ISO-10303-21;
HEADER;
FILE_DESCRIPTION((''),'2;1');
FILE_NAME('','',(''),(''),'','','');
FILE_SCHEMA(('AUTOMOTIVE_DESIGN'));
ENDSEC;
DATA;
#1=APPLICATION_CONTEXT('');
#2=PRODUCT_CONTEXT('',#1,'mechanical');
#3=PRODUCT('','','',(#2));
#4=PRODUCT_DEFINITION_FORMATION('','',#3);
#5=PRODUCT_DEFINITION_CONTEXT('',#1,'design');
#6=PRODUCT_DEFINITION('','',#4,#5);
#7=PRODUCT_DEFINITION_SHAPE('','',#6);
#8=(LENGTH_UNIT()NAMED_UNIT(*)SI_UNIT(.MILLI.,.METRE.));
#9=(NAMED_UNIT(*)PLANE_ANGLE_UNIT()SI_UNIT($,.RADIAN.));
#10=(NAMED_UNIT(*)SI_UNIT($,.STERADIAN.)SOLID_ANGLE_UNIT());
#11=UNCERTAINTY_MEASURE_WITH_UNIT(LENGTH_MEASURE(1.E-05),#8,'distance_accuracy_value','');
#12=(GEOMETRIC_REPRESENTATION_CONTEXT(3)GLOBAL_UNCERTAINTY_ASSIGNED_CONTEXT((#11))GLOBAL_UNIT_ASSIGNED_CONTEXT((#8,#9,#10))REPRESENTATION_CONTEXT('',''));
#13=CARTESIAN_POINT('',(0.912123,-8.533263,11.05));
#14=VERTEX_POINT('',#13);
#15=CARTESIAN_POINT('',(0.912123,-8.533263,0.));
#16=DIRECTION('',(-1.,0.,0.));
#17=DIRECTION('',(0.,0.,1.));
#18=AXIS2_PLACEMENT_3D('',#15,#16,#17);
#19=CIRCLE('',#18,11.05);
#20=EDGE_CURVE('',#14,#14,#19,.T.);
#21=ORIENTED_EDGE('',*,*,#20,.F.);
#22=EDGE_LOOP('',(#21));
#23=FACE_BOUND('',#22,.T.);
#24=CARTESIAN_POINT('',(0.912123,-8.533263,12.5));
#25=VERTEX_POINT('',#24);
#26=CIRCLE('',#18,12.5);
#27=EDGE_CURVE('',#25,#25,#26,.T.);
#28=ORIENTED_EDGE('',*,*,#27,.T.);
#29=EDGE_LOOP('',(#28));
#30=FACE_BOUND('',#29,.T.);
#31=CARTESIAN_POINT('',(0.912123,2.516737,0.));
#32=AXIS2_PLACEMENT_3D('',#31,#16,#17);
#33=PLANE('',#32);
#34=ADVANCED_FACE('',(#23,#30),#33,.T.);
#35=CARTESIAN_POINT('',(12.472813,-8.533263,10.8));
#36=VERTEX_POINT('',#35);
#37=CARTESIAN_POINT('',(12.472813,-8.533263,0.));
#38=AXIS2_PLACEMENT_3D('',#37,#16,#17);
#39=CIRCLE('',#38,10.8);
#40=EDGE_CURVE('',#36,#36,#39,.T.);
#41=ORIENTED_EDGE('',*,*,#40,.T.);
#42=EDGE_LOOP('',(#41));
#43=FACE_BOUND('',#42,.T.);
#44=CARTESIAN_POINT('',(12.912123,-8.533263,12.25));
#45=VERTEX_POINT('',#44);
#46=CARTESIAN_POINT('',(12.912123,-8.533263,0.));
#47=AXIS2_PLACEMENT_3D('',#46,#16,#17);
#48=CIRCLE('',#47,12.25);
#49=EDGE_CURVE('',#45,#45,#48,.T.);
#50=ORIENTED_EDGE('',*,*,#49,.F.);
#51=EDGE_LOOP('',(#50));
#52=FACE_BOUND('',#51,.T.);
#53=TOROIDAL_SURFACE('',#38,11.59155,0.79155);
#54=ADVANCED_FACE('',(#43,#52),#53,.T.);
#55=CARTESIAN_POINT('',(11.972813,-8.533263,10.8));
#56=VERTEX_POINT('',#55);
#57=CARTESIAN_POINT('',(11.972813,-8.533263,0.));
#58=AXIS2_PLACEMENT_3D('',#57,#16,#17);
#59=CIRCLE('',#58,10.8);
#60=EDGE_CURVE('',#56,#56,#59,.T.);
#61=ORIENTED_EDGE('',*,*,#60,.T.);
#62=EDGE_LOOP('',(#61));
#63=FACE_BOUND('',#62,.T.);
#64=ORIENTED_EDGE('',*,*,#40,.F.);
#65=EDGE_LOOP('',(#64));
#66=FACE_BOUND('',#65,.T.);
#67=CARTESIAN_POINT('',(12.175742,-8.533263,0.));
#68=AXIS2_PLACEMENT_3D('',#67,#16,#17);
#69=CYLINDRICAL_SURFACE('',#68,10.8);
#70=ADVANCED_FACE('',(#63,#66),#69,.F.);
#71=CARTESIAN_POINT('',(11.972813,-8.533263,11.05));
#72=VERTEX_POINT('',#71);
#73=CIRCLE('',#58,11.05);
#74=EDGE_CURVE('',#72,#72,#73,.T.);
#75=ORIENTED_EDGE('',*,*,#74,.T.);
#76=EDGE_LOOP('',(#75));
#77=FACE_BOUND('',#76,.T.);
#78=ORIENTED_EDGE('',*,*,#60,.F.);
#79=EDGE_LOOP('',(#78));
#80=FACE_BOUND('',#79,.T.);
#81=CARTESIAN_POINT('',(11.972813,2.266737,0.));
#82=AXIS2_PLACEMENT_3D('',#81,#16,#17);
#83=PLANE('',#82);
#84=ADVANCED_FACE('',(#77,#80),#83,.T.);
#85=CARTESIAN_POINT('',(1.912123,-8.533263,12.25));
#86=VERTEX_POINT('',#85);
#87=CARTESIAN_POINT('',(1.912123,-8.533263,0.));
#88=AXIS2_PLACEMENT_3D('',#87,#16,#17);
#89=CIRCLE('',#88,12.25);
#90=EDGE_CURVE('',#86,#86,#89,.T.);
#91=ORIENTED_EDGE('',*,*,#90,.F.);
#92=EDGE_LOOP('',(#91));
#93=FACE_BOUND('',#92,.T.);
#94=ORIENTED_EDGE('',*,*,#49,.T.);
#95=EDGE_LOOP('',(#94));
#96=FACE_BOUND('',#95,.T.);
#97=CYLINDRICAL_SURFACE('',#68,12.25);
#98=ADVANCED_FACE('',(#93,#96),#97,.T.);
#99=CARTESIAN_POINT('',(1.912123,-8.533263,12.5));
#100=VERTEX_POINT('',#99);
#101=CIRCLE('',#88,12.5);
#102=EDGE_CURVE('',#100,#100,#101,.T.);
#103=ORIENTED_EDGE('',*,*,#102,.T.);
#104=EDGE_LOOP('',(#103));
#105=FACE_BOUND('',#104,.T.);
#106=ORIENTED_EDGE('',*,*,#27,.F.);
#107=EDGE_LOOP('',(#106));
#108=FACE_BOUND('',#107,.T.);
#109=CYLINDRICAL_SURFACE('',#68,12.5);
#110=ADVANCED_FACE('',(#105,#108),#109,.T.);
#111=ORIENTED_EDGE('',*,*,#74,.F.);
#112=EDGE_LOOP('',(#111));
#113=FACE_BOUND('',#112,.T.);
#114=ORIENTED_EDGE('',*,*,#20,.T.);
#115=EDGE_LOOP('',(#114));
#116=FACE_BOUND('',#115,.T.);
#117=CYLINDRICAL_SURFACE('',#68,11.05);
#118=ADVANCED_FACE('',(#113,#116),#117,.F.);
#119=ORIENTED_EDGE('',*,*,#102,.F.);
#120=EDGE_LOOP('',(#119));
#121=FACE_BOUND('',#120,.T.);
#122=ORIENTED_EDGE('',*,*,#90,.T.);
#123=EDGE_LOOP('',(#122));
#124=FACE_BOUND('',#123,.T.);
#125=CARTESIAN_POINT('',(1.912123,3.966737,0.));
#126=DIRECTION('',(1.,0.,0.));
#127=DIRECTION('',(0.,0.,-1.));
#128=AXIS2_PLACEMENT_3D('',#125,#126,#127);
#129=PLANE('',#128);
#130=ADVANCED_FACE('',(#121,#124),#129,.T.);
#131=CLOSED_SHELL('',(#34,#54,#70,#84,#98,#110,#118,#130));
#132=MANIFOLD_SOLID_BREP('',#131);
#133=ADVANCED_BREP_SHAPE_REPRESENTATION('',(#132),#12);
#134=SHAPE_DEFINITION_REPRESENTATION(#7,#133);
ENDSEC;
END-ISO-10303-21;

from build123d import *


with BuildPart() as part:
    # Sketch1 → Revolve1 (revolve)
    with BuildSketch(Plane(origin=(0, 0, 0), x_dir=(-1, 0, 0), z_dir=(0, 0, -1)), mode=Mode.PRIVATE) as revolve1_sk:
        with BuildLine():
            Line((-11.972812665, 2.266736765), (-11.972812665, 2.516736765))
            Line((-11.972812665, 2.516736765), (-0.912123334, 2.516736765))
            Line((-0.912123334, 2.516736765), (-0.912123334, 3.966736765))
            Line((-0.912123334, 3.966736765), (-1.912123334, 3.966736765))
            Line((-1.912123334, 3.966736765), (-1.912123334, 3.716736765))
            Line((-1.912123334, 3.716736765), (-12.912123334, 3.716736765))
            ThreePointArc((-12.912123334, 3.716736765), (-13.230357031, 2.828770979), (-12.472812665, 2.266736765))
            Line((-12.472812665, 2.266736765), (-11.972812665, 2.266736765))
        make_face()
    revolve(revolve1_sk.sketch.rotate(Axis((12.175741694, -8.533263235, 0), (-1, 0, 0)), 270), axis=Axis((12.175741694, -8.533263235, 0), (-1, 0, 0)))


solid = part.part
